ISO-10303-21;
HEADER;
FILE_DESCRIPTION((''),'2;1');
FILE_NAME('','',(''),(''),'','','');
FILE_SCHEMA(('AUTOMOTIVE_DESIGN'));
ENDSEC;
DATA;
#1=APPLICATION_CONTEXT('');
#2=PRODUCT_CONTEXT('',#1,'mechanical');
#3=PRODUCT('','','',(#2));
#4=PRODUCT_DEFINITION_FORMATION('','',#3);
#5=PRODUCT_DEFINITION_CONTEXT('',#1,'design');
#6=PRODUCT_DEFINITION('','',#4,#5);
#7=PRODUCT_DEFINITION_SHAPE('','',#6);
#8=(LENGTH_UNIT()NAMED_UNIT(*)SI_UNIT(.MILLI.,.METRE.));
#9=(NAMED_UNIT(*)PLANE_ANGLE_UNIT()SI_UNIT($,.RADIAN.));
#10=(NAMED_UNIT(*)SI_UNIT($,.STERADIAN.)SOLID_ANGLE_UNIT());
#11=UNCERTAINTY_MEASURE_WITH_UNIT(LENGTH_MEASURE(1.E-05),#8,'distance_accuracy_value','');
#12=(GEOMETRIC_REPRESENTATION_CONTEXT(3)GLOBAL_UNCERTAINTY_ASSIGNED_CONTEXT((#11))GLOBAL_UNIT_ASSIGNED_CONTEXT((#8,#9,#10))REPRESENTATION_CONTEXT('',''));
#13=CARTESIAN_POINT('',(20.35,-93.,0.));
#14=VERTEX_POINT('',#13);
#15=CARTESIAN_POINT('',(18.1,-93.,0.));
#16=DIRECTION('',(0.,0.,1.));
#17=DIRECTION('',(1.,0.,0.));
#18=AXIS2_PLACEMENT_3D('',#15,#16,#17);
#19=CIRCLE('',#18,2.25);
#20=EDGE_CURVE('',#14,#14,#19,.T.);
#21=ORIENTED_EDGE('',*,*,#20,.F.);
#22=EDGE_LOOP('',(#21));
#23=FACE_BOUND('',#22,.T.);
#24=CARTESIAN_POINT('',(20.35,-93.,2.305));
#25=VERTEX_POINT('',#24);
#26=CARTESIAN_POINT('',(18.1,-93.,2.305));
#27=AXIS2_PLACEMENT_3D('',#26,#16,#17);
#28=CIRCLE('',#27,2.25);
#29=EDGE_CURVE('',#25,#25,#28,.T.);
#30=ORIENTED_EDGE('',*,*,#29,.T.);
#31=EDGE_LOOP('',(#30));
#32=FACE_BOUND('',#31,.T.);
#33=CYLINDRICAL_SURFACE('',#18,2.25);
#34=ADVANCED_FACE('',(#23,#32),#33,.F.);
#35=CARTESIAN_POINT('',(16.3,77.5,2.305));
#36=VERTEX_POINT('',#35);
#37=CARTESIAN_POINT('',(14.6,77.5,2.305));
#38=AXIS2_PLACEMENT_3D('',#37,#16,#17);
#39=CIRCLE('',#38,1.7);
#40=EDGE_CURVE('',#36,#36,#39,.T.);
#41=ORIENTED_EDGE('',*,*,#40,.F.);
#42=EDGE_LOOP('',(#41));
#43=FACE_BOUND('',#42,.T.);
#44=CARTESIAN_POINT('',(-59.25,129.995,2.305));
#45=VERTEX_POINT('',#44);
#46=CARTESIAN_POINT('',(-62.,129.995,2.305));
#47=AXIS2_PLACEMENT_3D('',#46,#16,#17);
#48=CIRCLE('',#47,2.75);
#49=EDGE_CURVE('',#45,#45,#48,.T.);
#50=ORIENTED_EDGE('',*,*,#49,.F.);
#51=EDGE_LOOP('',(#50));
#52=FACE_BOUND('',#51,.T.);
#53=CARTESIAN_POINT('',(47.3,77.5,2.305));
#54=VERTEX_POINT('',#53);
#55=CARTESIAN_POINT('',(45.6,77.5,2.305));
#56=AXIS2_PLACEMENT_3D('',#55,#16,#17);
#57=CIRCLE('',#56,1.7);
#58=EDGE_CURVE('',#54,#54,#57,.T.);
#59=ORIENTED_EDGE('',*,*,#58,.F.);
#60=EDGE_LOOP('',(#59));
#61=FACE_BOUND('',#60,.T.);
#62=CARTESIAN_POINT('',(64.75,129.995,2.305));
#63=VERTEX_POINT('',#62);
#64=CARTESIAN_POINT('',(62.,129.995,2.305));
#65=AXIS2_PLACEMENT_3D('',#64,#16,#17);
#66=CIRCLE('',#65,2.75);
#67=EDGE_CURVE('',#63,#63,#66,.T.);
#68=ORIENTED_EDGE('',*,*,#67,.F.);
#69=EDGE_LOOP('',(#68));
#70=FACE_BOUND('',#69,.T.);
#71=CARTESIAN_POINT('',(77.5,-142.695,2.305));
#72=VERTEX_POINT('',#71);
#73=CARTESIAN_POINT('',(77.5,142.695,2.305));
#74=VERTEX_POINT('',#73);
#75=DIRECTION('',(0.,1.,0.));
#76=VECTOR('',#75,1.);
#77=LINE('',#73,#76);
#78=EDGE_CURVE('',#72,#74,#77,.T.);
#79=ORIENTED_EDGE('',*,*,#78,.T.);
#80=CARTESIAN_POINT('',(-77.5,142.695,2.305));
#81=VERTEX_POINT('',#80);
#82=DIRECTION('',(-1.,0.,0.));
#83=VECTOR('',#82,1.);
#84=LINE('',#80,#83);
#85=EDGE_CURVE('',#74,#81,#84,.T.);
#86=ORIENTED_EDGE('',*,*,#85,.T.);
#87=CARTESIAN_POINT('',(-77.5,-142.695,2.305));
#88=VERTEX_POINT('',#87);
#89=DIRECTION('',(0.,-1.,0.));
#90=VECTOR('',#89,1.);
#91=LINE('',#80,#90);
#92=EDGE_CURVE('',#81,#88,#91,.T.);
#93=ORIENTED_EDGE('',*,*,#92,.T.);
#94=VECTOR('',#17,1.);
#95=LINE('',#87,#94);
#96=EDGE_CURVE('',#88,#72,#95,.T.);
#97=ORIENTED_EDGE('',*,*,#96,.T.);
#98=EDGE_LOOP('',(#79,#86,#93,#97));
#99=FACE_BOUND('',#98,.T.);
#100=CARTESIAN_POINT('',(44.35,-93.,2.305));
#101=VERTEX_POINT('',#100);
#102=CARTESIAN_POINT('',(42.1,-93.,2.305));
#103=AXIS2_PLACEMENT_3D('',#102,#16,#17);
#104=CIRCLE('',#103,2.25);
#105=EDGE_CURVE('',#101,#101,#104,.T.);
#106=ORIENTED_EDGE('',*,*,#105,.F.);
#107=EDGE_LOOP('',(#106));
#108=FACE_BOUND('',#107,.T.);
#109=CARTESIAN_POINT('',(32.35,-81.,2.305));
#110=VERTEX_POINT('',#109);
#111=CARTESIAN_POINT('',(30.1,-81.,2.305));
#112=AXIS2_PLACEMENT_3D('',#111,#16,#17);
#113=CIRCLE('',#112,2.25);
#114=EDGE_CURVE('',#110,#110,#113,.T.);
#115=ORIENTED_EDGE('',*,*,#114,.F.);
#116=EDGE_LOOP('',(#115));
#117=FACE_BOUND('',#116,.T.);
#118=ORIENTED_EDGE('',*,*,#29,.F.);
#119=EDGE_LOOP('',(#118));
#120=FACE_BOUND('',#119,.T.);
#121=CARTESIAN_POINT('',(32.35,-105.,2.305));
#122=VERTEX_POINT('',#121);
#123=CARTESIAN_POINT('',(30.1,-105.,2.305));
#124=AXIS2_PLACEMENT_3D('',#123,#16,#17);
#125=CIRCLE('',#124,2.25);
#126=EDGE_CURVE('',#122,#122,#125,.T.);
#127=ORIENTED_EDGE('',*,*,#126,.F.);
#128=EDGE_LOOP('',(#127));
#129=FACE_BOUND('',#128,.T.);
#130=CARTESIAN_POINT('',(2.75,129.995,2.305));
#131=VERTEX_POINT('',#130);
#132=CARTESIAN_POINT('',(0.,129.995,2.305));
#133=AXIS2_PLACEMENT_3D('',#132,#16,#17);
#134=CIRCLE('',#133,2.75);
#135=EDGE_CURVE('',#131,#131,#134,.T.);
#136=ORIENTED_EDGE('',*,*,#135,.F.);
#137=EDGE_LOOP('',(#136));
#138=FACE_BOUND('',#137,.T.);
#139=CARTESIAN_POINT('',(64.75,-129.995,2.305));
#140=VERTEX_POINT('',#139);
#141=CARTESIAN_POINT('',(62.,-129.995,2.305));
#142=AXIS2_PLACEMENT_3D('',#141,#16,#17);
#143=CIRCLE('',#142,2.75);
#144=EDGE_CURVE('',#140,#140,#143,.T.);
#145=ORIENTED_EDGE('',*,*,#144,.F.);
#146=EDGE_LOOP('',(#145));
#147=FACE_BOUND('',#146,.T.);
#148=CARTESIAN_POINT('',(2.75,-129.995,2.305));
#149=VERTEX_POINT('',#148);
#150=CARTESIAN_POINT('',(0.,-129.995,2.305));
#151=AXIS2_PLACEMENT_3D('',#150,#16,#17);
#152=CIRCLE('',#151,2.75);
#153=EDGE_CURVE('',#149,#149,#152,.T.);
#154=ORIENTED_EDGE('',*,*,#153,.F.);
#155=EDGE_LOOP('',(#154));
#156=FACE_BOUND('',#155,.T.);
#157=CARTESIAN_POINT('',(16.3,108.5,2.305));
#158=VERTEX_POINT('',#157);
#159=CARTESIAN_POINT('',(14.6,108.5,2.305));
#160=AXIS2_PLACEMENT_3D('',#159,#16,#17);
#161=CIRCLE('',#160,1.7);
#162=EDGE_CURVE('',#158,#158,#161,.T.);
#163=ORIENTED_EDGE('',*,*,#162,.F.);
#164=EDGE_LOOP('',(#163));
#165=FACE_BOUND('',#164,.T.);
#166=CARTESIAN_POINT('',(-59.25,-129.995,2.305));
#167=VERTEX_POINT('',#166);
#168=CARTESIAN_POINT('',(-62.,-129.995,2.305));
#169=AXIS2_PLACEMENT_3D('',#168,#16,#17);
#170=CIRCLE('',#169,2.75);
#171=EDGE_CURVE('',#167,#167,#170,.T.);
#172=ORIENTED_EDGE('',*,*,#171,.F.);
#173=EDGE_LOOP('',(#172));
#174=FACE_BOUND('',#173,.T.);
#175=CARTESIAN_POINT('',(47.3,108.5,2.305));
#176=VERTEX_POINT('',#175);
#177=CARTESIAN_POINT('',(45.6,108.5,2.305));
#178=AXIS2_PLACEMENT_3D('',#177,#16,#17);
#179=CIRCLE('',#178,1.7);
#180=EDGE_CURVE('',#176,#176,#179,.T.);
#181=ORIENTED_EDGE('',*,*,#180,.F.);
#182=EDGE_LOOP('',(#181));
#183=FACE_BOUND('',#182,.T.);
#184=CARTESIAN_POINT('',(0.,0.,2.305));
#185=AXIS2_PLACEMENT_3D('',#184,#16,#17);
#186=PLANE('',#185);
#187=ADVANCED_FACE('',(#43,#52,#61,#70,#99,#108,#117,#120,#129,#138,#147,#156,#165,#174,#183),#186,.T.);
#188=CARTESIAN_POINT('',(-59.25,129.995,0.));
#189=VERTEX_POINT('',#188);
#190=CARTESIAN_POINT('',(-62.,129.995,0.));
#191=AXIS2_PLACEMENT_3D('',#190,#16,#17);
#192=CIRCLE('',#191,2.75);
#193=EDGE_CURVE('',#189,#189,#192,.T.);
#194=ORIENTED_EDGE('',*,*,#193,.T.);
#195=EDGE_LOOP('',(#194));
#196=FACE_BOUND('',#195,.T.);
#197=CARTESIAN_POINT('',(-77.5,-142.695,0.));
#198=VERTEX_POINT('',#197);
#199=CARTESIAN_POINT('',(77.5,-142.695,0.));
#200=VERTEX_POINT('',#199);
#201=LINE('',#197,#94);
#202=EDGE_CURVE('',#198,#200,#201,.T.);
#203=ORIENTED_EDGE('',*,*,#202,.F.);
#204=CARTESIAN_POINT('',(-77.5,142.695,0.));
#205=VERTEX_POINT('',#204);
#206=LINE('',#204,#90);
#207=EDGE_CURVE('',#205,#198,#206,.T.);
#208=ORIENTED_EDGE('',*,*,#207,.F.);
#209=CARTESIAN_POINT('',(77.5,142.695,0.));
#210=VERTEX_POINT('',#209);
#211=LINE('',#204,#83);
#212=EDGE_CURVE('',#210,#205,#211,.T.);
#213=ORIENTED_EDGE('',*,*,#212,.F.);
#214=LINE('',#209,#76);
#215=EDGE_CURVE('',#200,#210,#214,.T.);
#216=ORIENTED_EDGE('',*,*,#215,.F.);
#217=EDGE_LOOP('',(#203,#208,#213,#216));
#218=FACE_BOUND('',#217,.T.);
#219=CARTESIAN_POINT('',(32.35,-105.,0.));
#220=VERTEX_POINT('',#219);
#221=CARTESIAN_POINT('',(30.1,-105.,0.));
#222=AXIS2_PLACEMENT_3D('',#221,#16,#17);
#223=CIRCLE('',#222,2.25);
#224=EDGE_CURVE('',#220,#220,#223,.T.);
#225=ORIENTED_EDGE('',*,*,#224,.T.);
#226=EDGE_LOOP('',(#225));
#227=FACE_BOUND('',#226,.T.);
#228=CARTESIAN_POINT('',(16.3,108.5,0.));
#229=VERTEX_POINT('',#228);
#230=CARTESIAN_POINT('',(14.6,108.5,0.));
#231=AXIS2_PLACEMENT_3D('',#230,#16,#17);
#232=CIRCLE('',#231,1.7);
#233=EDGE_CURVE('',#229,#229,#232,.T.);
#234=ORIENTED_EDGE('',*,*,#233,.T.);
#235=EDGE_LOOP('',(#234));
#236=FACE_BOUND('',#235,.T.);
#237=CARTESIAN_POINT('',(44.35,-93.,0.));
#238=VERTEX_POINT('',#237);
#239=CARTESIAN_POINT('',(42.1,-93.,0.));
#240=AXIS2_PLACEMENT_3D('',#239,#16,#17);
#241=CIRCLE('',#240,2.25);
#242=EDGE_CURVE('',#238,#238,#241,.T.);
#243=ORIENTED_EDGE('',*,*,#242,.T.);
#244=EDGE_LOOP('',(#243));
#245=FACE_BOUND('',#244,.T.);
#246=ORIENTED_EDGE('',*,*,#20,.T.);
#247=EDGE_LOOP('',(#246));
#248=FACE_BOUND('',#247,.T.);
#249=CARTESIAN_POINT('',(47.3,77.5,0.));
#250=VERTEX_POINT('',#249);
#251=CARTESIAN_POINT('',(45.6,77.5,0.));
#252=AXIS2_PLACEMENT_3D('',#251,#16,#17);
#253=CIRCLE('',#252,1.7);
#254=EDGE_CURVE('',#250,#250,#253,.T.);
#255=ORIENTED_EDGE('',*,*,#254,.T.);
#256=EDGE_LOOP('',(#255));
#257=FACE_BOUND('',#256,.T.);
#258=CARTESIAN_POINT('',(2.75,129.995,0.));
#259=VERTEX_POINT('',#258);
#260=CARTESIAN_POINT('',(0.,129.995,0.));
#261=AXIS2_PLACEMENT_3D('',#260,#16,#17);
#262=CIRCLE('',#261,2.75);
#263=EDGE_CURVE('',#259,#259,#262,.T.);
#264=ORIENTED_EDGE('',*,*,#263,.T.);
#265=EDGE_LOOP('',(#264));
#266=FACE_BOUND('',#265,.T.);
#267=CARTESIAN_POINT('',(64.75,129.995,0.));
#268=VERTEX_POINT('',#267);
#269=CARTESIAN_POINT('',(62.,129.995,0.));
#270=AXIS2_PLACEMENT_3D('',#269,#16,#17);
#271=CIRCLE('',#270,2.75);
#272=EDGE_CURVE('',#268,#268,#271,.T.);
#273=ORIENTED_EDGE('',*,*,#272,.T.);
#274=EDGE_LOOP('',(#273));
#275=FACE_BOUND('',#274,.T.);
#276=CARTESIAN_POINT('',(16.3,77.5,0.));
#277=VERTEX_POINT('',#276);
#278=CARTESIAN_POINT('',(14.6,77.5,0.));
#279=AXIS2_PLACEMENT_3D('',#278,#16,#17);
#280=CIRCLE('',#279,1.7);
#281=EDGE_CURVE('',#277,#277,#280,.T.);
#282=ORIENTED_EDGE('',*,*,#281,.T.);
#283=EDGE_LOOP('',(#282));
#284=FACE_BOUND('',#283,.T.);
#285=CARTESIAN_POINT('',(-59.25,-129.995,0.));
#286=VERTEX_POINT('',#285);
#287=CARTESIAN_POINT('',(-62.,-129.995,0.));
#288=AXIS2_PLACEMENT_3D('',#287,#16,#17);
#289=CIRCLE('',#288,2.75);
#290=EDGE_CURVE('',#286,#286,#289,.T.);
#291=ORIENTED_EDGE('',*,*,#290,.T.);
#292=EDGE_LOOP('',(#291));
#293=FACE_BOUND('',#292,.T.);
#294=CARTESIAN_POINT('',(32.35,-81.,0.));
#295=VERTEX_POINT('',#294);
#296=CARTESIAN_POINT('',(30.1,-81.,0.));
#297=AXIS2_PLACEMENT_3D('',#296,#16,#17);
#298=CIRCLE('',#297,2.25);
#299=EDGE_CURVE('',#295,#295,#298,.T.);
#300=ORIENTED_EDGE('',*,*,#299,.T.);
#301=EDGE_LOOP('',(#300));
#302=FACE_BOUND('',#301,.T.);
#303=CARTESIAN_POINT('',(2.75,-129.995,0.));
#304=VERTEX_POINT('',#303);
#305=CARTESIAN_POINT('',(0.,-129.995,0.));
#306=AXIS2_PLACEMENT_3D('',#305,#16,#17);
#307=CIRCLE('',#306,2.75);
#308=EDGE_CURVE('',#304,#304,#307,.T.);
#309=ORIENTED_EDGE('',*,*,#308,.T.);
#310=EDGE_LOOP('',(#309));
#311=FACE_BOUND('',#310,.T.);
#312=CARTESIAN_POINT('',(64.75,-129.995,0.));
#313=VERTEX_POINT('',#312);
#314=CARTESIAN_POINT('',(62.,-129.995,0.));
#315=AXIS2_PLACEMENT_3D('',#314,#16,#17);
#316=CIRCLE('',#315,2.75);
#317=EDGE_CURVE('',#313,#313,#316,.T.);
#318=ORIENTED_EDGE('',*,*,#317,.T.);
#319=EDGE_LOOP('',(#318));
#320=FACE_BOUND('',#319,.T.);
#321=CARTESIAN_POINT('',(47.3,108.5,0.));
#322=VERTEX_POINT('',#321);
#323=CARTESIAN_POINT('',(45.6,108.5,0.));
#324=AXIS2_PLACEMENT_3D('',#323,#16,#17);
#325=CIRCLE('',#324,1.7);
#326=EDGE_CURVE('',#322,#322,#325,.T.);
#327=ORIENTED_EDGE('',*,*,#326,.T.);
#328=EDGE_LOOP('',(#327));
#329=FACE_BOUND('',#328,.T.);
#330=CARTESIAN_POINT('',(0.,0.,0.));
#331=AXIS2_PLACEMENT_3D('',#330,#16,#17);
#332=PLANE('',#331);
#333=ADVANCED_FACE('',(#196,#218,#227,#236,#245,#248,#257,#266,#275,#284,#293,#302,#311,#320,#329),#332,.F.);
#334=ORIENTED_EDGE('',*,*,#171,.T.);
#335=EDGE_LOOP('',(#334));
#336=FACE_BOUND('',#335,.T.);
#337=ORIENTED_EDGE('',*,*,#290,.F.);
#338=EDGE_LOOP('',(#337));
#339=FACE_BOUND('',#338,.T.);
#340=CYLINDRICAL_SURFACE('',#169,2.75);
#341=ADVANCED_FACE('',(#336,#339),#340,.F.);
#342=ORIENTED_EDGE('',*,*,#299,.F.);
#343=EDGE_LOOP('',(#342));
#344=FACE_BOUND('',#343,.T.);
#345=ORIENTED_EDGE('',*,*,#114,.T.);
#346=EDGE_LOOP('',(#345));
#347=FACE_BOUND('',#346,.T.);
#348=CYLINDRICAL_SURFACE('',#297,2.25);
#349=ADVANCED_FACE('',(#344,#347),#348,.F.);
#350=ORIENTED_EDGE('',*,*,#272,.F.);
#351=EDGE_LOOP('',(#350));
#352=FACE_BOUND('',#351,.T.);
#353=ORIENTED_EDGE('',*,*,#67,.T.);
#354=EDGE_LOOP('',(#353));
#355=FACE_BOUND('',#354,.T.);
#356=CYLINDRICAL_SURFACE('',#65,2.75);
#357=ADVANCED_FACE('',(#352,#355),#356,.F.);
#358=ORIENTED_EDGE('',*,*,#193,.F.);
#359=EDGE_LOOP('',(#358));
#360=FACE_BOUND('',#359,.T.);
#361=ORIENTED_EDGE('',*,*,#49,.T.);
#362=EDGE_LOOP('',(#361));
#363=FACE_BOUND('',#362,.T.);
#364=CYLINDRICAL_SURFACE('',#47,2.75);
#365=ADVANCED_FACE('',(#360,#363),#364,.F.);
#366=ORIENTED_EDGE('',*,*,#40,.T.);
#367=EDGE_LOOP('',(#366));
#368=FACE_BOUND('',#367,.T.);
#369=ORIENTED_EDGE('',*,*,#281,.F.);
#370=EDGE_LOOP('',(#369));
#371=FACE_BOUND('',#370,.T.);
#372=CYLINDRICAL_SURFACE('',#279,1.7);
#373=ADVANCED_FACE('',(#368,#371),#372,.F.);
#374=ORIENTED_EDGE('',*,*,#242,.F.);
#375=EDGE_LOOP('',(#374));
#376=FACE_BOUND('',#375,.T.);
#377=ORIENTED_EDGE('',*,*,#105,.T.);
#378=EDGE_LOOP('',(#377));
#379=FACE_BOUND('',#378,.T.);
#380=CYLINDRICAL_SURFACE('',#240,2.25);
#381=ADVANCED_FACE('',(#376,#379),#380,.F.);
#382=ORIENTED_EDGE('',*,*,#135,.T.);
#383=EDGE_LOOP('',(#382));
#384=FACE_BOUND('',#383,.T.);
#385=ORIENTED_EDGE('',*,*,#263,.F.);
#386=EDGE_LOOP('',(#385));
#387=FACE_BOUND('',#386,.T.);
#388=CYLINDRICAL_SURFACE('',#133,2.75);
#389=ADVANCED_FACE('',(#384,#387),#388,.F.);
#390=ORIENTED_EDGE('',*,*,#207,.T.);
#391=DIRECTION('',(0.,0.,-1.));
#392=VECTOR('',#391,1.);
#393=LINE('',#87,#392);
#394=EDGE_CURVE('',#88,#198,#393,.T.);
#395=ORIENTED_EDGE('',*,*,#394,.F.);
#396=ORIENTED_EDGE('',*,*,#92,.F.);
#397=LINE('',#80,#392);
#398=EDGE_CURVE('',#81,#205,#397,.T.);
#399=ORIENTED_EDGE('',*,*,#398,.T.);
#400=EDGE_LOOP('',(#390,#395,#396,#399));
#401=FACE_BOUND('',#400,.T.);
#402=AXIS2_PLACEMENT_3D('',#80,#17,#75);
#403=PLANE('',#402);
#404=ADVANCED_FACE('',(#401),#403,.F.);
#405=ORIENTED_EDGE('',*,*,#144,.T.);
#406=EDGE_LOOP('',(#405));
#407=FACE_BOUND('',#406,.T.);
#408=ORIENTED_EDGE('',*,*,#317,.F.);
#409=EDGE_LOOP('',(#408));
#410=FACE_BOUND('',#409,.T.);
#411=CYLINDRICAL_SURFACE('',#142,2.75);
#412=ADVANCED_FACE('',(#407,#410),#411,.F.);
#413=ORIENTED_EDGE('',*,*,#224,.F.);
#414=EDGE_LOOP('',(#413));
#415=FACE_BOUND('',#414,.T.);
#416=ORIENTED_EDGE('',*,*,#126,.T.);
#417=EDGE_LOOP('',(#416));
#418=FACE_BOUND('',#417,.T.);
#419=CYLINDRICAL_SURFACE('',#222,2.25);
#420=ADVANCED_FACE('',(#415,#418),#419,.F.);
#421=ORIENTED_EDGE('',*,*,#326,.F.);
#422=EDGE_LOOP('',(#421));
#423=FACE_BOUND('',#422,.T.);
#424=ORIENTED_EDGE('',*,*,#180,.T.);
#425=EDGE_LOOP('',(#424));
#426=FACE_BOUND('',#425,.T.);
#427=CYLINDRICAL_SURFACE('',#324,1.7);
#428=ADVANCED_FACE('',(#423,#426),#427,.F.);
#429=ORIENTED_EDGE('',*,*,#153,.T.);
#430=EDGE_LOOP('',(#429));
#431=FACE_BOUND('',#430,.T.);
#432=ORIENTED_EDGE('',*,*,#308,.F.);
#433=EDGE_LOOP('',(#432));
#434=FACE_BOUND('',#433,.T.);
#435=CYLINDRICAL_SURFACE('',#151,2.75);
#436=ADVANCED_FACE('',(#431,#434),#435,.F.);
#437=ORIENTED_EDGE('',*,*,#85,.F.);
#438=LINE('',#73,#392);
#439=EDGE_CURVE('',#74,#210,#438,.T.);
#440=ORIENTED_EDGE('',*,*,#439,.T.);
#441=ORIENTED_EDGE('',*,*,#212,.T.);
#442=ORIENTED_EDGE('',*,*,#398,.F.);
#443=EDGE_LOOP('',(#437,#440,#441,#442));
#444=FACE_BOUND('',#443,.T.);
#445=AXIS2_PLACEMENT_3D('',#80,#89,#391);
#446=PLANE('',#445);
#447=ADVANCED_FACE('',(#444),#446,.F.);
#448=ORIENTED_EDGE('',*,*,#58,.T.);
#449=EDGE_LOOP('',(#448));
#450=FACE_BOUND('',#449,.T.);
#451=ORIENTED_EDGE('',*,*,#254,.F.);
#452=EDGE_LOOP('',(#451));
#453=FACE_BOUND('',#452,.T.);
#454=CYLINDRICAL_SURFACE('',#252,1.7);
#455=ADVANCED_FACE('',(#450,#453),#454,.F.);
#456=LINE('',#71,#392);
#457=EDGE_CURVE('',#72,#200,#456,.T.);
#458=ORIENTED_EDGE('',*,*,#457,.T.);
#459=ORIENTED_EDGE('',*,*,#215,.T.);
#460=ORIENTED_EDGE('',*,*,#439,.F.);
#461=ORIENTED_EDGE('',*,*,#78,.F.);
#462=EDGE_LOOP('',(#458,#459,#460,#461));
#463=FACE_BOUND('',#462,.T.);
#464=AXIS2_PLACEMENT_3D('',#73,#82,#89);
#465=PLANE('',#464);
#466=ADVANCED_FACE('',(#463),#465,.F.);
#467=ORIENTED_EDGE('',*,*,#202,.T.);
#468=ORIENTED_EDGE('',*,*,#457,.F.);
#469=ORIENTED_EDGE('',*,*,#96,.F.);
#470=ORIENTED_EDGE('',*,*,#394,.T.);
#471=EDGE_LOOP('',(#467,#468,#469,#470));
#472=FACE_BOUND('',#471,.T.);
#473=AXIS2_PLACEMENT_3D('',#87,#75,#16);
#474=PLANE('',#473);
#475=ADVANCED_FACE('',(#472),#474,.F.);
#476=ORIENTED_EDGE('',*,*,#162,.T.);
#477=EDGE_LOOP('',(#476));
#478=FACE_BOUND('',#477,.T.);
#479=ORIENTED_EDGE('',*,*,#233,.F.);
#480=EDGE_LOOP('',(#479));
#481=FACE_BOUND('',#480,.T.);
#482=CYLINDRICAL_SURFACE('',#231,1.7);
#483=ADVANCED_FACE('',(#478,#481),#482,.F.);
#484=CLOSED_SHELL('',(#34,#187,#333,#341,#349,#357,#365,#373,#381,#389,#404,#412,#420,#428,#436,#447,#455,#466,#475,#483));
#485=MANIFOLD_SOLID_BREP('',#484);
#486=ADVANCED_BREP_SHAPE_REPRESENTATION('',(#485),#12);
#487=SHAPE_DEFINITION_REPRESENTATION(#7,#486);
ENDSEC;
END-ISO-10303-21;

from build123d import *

# Parameters (mm, degrees)
SKETCH1_W            = 155
SKETCH1_H            = 285.39
BOSS_EXTRUDE1_DEPTH  = 2.305
M5_CLEARANCE_HOLE1_D = 5.5
SKETCH4_R            = 2.25
SKETCH4_R_2          = 1.7
CUT_EXTRUDE1_DEPTH   = 3.305


with BuildPart() as part:
    # Sketch1 → Boss-Extrude1 (new body)
    with BuildSketch(Plane.XY):
        Rectangle(SKETCH1_W, SKETCH1_H)
    extrude(amount=BOSS_EXTRUDE1_DEPTH)

    # M5 Clearance Hole1 (through all)
    with Locations(Plane.XY.offset(2.305)):
        with Locations((-62, 129.995), (0, 129.995), (-62, -129.995), (0, -129.995), (62, -129.995)):
            m5_clearance_hole1 = Hole(M5_CLEARANCE_HOLE1_D / 2)

    # Sketch4 → Cut-Extrude1 (cut, through all)
    with BuildSketch(Plane.XY.offset(2.305)):
        with Locations((30.1, -81)):
            Circle(SKETCH4_R)
        with Locations((42.1, -93)):
            Circle(SKETCH4_R)
        with Locations((30.1, -105)):
            Circle(SKETCH4_R)
        with Locations((18.1, -93)):
            Circle(SKETCH4_R)
        with Locations((45.6, 108.5)):
            Circle(SKETCH4_R_2)
        with Locations((14.6, 77.5)):
            Circle(SKETCH4_R_2)
        with Locations((45.6, 77.5)):
            Circle(SKETCH4_R_2)
        with Locations((14.6, 108.5)):
            Circle(SKETCH4_R_2)
    extrude(amount=-CUT_EXTRUDE1_DEPTH, mode=Mode.SUBTRACT)

    # Mirror1: M5 Clearance Hole1 across plane
    add(m5_clearance_hole1.mirror(Plane.ZX), mode=Mode.SUBTRACT)


solid = part.part
